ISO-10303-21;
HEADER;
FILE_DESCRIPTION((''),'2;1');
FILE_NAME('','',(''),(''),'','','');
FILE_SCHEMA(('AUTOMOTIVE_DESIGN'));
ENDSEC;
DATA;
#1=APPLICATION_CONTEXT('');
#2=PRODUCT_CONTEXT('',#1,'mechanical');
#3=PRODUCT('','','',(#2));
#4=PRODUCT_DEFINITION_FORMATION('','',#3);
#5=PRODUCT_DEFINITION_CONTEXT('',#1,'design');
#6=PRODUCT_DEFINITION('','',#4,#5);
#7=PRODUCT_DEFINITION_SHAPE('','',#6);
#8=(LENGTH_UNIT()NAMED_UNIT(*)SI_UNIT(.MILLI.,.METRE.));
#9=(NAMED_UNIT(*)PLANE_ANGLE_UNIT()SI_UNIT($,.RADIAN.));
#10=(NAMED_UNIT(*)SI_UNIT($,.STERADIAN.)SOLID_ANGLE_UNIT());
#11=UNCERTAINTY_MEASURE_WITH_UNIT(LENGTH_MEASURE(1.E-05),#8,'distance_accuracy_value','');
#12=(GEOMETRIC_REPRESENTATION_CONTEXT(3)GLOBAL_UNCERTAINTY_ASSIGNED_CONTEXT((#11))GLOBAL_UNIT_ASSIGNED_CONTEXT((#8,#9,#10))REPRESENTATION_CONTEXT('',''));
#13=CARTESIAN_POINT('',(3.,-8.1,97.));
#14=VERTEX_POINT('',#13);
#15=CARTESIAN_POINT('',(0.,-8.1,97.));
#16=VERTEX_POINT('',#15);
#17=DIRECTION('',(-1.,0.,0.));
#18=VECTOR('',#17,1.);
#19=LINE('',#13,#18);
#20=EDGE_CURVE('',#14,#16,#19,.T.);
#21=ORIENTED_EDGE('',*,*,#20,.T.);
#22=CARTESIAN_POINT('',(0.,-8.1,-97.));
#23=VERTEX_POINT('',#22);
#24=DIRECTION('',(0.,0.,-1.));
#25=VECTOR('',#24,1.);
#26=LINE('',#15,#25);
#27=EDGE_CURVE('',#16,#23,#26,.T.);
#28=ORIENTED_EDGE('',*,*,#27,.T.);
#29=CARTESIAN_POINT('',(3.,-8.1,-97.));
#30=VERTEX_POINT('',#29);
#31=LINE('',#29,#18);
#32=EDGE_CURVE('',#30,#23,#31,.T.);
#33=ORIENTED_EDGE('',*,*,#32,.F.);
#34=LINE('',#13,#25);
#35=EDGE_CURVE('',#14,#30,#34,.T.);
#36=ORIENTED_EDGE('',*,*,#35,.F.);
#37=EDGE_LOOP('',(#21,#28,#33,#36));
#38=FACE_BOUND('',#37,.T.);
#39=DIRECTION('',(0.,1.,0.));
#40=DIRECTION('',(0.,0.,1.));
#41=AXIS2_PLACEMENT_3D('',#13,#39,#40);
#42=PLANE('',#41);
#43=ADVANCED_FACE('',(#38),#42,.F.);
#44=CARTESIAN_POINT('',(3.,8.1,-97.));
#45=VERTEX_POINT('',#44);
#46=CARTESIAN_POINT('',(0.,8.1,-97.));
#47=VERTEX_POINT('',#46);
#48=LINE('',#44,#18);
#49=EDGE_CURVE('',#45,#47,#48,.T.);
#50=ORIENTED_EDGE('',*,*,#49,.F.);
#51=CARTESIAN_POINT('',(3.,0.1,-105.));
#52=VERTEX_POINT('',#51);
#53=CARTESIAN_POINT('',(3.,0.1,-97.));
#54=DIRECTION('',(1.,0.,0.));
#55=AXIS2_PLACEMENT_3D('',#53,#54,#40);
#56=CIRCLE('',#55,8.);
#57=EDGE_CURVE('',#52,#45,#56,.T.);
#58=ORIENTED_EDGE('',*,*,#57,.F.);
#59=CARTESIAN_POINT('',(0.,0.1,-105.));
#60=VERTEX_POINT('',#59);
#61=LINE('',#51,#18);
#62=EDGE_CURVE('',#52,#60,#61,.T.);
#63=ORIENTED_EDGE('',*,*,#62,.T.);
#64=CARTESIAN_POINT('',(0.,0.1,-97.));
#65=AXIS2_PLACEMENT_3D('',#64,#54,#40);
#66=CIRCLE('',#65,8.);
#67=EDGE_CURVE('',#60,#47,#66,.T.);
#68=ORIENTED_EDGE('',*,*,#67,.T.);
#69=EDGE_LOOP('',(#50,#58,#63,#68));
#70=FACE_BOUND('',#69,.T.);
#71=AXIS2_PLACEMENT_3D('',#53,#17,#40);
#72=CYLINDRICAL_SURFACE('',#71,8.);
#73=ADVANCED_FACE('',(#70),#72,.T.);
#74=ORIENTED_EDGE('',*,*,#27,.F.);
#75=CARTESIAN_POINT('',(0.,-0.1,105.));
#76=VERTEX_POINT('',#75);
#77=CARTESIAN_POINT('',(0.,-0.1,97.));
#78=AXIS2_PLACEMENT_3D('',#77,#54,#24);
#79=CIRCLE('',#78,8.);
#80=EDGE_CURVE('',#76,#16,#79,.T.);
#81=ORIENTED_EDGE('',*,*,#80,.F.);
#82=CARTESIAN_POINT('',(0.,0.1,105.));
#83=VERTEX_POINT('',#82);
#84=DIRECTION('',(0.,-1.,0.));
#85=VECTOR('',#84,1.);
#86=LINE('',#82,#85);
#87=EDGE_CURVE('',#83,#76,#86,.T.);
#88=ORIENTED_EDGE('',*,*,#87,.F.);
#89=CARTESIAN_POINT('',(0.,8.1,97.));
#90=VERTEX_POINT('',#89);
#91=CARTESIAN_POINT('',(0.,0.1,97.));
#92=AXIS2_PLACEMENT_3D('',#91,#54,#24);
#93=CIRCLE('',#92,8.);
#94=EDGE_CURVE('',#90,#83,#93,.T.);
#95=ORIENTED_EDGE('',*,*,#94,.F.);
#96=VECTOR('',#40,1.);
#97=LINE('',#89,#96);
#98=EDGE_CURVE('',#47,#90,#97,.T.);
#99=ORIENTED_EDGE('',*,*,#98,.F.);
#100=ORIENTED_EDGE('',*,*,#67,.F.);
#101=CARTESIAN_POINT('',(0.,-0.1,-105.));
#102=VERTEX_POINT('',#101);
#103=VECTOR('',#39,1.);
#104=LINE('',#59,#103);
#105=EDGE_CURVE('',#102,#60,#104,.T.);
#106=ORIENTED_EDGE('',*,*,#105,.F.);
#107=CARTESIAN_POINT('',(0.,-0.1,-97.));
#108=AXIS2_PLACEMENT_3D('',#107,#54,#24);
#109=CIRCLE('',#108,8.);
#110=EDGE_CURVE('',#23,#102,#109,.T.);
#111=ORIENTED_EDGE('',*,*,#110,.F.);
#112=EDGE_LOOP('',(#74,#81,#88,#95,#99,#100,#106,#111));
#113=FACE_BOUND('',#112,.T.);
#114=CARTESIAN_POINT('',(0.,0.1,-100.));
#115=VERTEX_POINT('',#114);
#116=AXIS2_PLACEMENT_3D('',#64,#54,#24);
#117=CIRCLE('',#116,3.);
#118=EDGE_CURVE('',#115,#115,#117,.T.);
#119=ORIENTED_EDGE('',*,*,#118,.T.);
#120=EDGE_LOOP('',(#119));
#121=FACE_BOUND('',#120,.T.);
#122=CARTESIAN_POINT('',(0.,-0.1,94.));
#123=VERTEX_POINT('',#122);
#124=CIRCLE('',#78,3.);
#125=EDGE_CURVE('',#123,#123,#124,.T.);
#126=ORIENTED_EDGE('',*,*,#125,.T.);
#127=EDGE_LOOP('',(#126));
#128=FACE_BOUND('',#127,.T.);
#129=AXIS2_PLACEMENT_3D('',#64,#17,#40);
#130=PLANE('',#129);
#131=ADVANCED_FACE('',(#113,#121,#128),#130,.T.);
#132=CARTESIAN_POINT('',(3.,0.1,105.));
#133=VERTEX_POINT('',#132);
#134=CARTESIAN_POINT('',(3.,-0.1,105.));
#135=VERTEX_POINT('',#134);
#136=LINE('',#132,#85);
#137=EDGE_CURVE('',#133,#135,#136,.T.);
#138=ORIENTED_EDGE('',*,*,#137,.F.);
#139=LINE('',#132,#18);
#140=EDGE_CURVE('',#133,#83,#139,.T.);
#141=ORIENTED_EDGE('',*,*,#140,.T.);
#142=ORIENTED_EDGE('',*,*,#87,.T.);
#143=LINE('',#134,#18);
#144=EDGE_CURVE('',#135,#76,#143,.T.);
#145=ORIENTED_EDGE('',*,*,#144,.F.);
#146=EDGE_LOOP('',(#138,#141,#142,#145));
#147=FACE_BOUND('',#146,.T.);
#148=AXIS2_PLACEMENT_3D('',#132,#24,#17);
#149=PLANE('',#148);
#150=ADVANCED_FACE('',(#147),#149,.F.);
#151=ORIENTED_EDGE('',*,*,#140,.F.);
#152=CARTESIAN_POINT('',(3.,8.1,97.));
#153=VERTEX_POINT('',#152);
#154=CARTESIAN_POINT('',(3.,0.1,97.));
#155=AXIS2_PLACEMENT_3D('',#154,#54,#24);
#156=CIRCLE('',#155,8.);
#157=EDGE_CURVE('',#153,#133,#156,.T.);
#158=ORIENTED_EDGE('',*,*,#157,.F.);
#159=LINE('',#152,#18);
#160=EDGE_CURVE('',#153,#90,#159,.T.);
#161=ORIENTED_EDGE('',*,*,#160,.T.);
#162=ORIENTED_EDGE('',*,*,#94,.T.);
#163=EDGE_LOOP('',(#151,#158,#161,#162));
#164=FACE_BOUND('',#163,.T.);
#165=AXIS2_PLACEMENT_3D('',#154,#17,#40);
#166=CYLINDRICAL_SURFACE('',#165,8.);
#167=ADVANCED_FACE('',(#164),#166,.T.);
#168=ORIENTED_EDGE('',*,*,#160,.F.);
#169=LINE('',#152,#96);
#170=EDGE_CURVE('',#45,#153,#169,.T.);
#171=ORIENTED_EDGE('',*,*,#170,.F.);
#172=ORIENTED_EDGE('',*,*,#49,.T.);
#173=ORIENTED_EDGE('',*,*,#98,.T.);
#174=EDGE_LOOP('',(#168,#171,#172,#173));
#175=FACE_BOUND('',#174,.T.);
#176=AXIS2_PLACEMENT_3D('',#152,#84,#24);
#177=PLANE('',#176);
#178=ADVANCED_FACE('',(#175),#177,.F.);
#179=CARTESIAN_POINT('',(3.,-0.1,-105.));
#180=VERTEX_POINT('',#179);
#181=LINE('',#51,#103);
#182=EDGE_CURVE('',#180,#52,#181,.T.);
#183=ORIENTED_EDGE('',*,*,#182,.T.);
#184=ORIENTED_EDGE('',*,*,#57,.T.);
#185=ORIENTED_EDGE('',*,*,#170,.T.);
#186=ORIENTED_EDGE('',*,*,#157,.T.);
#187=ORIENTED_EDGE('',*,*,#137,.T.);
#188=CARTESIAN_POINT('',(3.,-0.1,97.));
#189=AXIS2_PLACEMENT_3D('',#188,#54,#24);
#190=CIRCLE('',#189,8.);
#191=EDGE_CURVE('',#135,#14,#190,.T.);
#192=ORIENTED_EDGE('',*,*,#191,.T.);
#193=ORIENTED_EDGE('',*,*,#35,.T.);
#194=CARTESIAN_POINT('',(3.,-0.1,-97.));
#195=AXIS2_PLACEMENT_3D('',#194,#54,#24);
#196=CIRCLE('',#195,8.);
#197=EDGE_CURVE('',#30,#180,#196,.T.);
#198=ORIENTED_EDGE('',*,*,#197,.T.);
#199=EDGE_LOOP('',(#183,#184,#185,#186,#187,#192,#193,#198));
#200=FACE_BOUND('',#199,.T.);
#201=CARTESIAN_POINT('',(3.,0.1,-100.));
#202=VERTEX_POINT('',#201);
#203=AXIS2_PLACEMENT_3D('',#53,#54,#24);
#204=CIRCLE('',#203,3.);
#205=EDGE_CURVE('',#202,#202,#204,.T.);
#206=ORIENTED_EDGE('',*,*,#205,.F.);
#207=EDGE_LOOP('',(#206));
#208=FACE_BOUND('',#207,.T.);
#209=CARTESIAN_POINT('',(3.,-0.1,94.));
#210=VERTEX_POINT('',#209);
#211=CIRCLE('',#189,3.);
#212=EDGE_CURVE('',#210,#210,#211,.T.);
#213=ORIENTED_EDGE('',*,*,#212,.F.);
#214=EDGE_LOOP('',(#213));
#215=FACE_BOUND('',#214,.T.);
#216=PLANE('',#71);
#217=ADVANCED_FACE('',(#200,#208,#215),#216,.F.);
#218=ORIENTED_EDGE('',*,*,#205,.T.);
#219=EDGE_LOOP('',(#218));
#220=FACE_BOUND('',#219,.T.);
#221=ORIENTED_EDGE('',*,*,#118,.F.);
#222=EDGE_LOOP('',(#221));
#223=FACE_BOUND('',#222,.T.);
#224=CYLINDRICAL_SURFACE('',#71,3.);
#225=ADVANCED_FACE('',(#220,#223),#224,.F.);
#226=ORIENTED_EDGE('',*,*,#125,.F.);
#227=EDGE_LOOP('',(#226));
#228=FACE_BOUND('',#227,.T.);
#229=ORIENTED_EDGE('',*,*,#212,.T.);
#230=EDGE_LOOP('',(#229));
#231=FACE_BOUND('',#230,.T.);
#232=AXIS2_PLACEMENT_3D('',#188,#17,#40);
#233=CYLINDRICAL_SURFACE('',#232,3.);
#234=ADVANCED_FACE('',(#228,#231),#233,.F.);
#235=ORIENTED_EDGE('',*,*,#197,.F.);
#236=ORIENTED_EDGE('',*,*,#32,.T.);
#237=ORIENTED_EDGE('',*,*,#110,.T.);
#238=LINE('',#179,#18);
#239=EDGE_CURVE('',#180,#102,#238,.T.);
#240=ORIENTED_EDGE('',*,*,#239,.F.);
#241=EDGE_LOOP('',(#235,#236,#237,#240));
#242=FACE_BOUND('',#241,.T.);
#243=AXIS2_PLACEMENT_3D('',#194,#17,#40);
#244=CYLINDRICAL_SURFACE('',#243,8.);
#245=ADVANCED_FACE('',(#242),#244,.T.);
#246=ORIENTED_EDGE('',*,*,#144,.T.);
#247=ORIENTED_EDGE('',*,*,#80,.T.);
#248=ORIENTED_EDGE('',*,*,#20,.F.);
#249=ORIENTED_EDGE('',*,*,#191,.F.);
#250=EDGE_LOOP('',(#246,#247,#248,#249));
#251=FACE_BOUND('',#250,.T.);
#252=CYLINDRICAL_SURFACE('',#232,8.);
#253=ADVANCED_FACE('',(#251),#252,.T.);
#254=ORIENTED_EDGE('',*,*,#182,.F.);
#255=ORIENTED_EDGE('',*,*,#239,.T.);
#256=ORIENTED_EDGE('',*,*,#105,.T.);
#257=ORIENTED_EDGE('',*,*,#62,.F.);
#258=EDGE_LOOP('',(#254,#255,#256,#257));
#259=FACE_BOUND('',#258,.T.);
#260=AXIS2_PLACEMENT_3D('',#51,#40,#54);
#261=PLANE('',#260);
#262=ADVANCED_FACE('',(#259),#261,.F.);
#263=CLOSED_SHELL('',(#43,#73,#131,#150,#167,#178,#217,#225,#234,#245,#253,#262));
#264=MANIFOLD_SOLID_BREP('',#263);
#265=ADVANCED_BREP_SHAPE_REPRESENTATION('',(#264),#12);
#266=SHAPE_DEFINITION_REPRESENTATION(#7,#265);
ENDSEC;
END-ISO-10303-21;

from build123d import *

# Parameters (mm, degrees)
SKETCH1_R           = 3
BOSS_EXTRUDE1_DEPTH = 3


with BuildPart() as part:
    # Sketch1 → Boss-Extrude1 (new body)
    with BuildSketch(Plane(origin=(0, 0, 0), x_dir=(0, 0, -1), z_dir=(1, 0, 0))):
        with BuildLine():
            Line((-97, 8.1), (97, 8.1))
            ThreePointArc((97, 8.1), (102.656854249, 5.756854249), (105, 0.1))
            Line((105, 0.1), (105, -0.1))
            ThreePointArc((105, -0.1), (102.656854249, -5.756854249), (97, -8.1))
            Line((97, -8.1), (-97, -8.1))
            ThreePointArc((-97, -8.1), (-102.656854249, -5.756854249), (-105, -0.1))
            Line((-105, -0.1), (-105, 0.1))
            ThreePointArc((-105, 0.1), (-102.656854249, 5.756854249), (-97, 8.1))
        make_face()
        with Locations((-97, -0.1)):
            Circle(SKETCH1_R, mode=Mode.SUBTRACT)
        with Locations((97, 0.1)):
            Circle(SKETCH1_R, mode=Mode.SUBTRACT)
    extrude(amount=BOSS_EXTRUDE1_DEPTH)


solid = part.part
